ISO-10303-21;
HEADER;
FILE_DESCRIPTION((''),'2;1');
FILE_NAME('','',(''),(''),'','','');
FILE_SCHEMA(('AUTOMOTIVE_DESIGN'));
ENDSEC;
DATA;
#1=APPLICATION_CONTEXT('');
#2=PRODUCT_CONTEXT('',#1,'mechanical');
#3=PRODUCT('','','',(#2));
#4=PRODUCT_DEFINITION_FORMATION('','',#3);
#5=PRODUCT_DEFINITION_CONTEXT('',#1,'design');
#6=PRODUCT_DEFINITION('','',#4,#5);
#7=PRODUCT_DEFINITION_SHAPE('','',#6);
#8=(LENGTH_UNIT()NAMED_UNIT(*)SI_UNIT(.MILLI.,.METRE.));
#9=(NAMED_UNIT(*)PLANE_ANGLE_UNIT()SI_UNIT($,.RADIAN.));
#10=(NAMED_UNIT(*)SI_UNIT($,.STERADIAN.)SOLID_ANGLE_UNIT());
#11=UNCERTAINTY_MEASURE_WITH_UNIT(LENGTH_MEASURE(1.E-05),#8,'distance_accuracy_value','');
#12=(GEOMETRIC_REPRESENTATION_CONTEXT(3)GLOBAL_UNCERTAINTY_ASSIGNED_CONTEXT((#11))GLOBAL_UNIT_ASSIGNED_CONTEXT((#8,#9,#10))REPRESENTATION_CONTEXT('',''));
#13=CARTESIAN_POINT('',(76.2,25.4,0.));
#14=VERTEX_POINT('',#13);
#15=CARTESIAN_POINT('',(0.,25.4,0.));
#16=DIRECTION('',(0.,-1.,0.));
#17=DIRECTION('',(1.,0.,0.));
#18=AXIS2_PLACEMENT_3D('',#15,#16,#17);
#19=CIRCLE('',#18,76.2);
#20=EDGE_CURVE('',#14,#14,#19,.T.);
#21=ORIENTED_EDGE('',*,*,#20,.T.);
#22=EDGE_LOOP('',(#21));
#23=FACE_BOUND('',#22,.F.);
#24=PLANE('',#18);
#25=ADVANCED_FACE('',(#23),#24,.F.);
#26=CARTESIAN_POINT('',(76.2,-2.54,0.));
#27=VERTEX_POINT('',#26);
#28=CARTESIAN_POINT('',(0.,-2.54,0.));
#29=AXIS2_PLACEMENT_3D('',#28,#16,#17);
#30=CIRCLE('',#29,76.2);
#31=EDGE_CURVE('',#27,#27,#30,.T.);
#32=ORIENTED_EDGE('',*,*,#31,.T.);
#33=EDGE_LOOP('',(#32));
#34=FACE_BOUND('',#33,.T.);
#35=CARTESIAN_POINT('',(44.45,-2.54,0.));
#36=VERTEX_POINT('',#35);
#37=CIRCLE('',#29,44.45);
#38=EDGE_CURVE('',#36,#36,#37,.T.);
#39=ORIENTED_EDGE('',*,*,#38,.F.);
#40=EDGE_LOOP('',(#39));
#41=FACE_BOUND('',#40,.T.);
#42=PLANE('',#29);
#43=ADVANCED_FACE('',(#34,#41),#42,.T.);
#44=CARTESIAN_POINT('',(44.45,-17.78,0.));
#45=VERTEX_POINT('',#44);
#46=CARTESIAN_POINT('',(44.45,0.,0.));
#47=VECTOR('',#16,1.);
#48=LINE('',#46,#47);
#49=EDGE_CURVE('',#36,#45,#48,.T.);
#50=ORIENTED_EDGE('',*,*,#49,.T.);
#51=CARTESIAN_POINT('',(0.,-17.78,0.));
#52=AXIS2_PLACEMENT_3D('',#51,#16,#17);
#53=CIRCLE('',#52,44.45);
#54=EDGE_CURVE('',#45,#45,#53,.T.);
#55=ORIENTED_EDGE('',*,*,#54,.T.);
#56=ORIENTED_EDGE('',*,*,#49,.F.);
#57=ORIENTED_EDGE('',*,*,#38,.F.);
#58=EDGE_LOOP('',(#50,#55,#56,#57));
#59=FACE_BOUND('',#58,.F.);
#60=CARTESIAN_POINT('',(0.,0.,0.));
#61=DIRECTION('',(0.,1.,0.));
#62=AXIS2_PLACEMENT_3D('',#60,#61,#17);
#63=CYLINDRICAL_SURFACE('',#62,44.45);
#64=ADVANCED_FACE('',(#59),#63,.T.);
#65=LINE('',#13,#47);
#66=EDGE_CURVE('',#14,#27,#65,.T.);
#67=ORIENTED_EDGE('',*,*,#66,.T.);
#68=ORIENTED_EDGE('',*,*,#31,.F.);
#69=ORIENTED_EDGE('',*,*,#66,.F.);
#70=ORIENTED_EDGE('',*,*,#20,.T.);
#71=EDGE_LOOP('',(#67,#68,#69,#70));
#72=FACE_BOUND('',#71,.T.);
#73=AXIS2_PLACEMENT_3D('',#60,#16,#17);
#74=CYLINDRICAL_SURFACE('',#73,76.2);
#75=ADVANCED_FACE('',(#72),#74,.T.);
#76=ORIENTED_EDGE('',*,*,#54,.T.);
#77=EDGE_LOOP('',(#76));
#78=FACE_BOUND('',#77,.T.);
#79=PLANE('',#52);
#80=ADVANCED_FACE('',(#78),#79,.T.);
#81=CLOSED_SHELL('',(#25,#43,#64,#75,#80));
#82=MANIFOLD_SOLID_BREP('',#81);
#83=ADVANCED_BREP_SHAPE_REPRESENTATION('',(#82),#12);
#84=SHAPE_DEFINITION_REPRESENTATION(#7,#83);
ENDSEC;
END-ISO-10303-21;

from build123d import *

# Parameters (mm, degrees)
F0_R     = 76.2
F0_R_2   = 44.45
F1_DEPTH = 2.54
F2_DEPTH = 17.78
F3_DEPTH = 25.4


with BuildPart() as f1:
    # F0 (on Front) → F1 (new body)
    with BuildSketch(Plane.XZ):
        Circle(F0_R)
        Circle(F0_R_2, mode=Mode.SUBTRACT)
    extrude(amount=F1_DEPTH)

    # F0 (on Front) → F2 (join)
    with BuildSketch(Plane.XZ):
        Circle(F0_R_2)
    extrude(amount=F2_DEPTH)

    # F0 (on Front) → F3 (join)
    with BuildSketch(Plane.XZ):
        Circle(F0_R)
        Circle(F0_R_2, mode=Mode.SUBTRACT)
        Circle(F0_R_2)
    extrude(amount=-F3_DEPTH)


solid = f1.part
